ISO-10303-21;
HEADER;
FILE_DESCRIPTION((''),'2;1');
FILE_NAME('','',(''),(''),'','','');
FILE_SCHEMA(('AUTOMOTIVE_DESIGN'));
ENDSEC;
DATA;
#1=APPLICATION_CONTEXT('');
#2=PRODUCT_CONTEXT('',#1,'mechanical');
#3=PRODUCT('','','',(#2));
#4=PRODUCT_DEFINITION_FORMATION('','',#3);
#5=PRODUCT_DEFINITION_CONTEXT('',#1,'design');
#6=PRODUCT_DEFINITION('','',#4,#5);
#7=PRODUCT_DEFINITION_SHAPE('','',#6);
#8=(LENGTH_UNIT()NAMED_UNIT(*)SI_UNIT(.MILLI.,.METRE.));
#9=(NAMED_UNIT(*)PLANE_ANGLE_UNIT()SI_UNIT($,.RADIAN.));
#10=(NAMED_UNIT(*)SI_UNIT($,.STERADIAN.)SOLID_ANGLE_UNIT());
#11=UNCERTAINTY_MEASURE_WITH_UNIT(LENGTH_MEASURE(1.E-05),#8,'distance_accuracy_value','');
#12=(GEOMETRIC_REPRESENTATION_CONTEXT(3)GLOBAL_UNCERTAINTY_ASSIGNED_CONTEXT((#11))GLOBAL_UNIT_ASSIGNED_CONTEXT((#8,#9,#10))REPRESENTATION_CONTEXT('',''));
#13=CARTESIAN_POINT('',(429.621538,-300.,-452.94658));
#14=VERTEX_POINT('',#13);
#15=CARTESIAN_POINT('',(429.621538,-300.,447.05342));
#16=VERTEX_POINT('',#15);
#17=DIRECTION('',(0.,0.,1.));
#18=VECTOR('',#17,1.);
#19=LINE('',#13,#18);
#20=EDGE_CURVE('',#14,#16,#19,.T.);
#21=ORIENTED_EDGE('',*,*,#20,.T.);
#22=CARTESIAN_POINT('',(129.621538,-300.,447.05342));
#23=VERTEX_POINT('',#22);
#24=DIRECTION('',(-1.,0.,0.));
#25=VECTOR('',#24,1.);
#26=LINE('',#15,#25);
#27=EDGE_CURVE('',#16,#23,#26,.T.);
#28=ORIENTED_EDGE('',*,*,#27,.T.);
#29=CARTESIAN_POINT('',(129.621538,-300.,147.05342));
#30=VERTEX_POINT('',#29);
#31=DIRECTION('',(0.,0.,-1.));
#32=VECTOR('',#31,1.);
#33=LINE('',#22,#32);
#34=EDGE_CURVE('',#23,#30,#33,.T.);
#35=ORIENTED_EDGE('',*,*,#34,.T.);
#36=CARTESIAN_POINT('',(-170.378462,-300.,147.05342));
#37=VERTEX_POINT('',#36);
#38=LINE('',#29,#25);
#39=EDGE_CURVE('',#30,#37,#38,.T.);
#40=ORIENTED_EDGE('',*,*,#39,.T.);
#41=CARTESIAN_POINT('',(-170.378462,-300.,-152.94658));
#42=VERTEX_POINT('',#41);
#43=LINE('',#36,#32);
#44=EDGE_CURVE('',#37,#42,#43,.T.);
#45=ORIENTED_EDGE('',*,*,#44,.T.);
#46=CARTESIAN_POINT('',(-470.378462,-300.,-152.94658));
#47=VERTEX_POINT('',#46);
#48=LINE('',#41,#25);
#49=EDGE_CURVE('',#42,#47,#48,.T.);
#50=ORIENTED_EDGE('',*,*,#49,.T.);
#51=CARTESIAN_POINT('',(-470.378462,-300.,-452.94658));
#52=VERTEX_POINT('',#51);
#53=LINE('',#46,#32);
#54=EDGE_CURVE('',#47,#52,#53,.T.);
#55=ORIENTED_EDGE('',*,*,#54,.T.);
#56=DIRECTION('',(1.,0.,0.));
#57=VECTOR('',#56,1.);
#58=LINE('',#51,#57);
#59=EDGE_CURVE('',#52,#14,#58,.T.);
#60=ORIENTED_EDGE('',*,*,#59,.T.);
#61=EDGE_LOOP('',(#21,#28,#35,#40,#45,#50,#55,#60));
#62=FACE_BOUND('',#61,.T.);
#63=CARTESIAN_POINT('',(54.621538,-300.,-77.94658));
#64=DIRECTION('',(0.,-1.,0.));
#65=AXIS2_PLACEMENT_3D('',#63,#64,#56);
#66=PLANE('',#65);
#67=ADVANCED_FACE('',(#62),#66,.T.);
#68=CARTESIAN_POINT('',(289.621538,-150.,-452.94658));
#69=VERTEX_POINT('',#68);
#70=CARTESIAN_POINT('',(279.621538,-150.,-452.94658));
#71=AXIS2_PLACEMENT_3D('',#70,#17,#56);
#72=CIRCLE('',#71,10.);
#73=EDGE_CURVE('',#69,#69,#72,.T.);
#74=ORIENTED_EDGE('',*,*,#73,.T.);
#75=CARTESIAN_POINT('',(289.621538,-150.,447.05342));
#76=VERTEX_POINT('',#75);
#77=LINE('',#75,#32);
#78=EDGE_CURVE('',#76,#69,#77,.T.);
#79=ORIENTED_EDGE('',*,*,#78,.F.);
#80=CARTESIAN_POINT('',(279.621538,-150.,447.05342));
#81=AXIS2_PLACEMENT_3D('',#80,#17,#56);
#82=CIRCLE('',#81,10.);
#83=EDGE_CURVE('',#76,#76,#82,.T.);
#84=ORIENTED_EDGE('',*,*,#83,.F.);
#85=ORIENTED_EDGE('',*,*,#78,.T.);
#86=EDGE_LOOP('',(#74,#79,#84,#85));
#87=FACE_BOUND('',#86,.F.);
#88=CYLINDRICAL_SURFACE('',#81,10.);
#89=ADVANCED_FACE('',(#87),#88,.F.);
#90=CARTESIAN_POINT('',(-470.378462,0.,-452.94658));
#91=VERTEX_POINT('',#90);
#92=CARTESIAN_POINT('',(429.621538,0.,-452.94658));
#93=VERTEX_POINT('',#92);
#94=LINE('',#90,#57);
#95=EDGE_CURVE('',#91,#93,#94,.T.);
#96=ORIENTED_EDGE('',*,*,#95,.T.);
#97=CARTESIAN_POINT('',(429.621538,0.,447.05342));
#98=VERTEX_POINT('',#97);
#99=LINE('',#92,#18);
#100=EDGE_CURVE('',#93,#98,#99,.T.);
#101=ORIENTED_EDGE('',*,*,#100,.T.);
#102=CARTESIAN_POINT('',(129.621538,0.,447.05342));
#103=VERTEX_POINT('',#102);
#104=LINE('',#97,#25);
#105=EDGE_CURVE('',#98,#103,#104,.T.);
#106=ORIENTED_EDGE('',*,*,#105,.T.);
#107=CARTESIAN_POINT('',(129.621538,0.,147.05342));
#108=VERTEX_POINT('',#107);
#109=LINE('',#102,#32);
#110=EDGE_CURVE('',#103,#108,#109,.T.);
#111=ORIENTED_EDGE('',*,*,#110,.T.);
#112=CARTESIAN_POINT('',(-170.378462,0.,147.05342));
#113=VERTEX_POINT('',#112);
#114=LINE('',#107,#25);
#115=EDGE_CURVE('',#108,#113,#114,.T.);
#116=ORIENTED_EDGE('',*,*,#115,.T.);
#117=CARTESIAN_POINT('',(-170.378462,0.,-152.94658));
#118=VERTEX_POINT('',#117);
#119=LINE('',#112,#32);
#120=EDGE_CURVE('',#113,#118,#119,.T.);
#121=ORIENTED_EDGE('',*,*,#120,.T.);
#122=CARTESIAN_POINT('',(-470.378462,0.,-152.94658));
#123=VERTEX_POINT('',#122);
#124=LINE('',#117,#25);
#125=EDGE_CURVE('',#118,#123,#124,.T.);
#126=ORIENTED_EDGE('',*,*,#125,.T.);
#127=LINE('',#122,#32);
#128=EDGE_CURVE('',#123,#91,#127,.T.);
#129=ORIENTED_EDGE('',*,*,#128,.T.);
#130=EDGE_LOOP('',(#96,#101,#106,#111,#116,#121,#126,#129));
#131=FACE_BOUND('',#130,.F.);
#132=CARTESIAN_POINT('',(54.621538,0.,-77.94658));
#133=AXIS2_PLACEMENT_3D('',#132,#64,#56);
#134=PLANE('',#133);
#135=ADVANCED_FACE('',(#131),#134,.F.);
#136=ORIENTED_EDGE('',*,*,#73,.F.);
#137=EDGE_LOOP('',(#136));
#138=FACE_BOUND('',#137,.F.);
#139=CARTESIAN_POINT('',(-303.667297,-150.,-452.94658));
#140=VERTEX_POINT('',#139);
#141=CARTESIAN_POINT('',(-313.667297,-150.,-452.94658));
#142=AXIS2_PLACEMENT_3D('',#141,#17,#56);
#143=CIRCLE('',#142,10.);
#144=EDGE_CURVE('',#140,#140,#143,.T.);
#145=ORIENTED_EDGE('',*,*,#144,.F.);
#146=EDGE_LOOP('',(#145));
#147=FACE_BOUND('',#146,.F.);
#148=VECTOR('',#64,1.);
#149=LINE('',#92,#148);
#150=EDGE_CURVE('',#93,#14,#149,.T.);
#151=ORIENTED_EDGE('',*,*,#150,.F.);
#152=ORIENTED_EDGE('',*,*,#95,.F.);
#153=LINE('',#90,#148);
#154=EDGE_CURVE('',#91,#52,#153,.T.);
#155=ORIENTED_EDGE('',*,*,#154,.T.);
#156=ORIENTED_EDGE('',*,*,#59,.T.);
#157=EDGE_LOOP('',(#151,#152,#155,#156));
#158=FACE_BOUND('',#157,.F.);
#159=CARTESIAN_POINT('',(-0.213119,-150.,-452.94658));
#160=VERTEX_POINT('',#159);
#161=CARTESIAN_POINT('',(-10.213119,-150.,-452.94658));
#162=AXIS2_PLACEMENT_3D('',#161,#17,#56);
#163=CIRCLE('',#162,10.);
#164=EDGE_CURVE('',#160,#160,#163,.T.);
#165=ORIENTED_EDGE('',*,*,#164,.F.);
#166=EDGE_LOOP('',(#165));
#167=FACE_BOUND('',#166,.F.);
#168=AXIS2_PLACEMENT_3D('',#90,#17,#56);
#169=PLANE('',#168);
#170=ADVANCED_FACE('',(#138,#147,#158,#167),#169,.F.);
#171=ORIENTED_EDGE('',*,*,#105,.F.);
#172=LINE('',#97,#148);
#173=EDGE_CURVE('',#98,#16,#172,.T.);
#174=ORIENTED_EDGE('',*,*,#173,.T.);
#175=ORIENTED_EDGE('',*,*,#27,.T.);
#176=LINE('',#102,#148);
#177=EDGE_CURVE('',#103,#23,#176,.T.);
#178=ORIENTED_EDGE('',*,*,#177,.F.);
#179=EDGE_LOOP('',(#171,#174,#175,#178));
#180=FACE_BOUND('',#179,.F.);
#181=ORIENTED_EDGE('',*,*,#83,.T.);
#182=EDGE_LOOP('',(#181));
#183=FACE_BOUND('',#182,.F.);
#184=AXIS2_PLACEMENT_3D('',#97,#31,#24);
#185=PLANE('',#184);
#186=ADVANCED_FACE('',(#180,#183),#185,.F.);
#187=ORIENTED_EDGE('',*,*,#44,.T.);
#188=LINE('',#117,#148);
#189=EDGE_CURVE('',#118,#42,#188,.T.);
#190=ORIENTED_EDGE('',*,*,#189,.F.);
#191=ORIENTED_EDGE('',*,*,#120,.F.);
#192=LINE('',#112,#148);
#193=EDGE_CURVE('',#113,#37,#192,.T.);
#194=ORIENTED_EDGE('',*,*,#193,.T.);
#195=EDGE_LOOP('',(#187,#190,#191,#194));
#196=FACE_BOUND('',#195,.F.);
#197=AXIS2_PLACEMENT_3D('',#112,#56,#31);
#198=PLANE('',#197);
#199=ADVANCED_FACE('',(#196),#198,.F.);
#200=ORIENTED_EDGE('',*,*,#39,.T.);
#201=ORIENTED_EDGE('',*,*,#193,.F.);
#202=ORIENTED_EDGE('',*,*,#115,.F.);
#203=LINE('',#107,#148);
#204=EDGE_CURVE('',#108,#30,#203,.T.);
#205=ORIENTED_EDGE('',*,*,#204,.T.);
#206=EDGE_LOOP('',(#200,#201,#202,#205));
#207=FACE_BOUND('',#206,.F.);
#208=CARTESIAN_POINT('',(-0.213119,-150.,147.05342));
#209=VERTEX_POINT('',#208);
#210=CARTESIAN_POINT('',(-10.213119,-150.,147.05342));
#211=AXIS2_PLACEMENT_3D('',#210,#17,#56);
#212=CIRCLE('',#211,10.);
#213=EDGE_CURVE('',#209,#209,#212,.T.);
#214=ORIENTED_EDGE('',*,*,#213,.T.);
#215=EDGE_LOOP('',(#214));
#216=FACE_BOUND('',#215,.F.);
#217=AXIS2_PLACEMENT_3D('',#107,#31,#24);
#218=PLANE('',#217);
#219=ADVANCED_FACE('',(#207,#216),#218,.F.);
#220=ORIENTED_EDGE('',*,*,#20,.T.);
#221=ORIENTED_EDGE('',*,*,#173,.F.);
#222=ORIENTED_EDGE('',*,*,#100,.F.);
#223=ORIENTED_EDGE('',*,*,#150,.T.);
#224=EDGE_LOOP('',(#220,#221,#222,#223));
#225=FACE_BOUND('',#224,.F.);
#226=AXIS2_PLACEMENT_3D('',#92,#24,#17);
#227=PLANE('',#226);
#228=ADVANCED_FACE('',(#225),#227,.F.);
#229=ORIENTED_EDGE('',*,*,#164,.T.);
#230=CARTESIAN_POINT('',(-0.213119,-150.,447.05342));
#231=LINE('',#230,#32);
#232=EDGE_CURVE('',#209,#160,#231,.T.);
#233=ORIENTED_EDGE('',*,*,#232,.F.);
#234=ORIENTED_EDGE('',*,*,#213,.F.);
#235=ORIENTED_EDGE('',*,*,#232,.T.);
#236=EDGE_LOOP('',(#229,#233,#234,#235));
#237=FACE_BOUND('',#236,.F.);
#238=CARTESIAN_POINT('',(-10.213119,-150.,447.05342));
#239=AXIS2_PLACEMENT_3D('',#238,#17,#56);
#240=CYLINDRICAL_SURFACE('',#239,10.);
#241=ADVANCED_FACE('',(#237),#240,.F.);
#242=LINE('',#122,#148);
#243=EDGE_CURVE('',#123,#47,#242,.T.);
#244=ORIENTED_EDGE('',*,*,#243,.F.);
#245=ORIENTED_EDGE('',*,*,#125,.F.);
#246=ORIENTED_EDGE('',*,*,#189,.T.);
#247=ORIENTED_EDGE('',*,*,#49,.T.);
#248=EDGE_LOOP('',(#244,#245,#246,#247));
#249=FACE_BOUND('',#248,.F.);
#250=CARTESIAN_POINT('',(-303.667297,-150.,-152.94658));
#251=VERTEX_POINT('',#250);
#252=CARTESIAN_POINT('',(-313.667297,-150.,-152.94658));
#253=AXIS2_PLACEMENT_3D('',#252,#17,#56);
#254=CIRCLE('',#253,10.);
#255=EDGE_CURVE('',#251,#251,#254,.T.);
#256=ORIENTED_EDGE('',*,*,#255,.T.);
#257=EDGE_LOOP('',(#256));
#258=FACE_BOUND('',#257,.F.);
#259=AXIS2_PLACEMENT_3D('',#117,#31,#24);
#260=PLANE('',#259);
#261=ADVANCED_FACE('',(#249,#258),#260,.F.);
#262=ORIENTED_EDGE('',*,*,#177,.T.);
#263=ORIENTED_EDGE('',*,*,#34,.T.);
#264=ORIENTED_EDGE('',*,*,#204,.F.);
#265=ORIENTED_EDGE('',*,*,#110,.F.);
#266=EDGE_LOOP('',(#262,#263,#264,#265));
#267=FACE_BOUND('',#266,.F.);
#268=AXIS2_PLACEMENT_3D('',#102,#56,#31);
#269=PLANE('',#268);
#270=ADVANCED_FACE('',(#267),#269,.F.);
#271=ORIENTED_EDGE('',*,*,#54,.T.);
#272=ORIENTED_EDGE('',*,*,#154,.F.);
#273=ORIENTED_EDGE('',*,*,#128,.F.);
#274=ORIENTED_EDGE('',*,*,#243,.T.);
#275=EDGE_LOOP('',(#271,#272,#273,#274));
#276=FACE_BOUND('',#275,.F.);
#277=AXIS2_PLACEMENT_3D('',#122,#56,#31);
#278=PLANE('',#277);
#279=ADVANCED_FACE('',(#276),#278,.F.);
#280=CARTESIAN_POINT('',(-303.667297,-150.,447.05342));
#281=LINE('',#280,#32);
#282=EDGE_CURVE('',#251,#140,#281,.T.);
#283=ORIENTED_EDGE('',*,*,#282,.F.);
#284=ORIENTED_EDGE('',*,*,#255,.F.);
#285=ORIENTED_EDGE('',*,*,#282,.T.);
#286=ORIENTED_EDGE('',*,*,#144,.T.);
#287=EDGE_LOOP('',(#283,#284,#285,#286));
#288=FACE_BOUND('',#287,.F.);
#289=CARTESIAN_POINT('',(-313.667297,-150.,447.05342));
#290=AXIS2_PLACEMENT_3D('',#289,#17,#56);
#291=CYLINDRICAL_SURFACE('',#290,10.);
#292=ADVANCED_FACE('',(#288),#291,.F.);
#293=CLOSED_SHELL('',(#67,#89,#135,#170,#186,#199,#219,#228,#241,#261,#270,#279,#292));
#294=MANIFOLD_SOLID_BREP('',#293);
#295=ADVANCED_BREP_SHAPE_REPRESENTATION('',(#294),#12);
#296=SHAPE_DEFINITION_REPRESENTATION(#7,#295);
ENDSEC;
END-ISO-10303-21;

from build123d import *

# Parameters (mm, degrees)
F1_DEPTH = 300
F2_R     = 10
F3_DEPTH = 900.001


with BuildPart() as f1:
    # F0 (on Front) → F1 (new body)
    with BuildSketch(Plane.XZ):
        Polygon((-470.378462, -452.94658), (429.621538, -452.94658), (429.621538, 447.05342), (129.621538, 447.05342), (129.621538, 147.05342), (-170.378462, 147.05342), (-170.378462, -152.94658), (-470.378462, -152.94658), align=None)
    extrude(amount=F1_DEPTH)

    # F2 (on face) → F3 (cut, through all)
    with BuildSketch(Plane.XY.offset(447.05342)):
        with Locations((279.621538, -150)):
            Circle(F2_R)
        with Locations((-10.213119, -150)):
            Circle(F2_R)
        with Locations((-313.667297, -150)):
            Circle(F2_R)
    extrude(amount=-F3_DEPTH, mode=Mode.SUBTRACT)


solid = f1.part
